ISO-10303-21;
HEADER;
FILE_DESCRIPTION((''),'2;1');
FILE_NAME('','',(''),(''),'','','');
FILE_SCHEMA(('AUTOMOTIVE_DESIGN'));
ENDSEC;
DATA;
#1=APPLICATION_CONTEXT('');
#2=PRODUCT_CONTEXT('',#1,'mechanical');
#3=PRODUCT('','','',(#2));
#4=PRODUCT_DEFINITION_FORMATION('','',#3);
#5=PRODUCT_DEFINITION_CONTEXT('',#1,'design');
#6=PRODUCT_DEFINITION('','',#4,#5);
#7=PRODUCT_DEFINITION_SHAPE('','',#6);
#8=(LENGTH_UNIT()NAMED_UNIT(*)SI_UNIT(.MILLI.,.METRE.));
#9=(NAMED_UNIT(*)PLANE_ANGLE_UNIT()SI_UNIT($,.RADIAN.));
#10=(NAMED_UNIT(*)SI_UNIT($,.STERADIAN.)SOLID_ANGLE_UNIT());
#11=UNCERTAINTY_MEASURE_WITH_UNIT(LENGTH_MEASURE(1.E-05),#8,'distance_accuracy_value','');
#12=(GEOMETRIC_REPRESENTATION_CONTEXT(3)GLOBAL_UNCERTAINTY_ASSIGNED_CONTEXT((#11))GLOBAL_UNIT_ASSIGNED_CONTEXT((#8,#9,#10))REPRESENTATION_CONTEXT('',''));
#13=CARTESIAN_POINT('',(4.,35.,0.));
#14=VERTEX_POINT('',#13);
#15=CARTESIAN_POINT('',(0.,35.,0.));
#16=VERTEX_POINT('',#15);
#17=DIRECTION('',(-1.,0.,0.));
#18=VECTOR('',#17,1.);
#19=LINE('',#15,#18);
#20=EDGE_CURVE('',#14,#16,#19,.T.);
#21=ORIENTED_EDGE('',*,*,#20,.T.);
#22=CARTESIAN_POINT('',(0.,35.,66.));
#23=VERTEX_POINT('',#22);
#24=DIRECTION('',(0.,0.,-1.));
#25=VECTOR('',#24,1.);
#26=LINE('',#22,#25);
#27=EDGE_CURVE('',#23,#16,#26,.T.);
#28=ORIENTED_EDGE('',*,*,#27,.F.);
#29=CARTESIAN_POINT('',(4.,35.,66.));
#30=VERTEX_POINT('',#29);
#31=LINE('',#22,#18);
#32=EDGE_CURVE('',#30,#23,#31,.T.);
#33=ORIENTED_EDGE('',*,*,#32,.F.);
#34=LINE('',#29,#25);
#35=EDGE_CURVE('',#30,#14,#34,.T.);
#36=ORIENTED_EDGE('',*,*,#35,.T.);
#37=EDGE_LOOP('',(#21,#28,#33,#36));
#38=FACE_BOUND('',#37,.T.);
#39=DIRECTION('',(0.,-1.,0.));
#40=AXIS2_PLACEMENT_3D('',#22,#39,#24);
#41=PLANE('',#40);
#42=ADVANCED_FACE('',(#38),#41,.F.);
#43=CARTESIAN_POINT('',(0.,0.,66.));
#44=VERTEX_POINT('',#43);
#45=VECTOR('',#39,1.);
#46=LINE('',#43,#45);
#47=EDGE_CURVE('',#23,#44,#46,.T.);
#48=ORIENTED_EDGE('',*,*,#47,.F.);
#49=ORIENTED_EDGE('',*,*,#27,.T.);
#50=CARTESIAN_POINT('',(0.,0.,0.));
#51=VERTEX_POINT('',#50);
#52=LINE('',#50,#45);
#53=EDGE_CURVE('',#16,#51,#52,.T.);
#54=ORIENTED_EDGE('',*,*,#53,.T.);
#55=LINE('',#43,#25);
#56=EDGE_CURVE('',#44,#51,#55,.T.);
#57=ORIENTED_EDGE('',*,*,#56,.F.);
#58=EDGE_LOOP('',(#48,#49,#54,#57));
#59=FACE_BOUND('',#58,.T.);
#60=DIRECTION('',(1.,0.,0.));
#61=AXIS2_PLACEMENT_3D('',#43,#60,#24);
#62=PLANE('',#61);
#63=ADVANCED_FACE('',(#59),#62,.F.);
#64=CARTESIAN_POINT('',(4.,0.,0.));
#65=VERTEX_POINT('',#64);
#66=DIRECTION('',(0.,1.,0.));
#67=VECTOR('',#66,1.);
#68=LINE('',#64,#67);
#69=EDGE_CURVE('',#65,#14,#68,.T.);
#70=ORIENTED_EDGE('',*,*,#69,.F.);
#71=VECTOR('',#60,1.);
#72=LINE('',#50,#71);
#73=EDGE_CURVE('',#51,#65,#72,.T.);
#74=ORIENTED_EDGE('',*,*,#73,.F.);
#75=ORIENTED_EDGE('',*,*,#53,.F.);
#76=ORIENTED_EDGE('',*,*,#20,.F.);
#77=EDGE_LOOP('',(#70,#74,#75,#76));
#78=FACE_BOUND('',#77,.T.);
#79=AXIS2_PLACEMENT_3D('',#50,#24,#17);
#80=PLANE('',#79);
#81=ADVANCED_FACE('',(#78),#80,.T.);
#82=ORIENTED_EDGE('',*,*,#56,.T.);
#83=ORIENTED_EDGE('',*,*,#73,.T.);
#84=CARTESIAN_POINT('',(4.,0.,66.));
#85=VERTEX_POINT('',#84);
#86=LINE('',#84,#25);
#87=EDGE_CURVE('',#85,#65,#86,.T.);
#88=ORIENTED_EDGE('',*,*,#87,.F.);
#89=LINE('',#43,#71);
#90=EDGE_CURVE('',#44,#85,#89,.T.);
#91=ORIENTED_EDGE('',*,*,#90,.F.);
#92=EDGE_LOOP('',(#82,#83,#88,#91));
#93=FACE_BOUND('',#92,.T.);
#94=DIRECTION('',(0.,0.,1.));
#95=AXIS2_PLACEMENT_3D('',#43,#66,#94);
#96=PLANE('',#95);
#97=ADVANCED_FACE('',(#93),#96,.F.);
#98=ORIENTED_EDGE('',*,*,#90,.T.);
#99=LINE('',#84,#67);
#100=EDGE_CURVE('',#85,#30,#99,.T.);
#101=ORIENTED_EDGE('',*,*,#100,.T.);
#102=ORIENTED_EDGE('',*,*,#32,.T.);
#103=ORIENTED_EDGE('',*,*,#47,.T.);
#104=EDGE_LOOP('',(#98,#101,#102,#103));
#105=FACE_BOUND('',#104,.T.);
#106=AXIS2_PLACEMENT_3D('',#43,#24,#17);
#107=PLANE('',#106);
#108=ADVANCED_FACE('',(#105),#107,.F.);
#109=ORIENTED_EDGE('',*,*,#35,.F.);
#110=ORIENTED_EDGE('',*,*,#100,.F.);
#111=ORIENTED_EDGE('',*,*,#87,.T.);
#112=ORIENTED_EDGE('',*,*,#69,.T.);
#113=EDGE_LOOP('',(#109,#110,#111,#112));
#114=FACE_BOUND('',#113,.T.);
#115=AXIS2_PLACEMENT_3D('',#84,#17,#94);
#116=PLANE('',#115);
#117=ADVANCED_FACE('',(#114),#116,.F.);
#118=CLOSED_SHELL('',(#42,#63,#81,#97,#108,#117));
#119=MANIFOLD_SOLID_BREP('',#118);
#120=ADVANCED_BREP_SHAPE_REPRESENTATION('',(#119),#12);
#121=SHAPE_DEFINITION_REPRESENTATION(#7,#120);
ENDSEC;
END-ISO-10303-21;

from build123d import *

# Parameters (mm, degrees)
SKETCH1_W     = 4
SKETCH1_H     = 35
PROFILE_DEPTH = 66


with BuildPart() as part:
    # Sketch1 → Profile (new body)
    with BuildSketch(Plane.XY):
        with Locations((2, 17.5)):
            Rectangle(SKETCH1_W, SKETCH1_H)
    extrude(amount=PROFILE_DEPTH)


solid = part.part
